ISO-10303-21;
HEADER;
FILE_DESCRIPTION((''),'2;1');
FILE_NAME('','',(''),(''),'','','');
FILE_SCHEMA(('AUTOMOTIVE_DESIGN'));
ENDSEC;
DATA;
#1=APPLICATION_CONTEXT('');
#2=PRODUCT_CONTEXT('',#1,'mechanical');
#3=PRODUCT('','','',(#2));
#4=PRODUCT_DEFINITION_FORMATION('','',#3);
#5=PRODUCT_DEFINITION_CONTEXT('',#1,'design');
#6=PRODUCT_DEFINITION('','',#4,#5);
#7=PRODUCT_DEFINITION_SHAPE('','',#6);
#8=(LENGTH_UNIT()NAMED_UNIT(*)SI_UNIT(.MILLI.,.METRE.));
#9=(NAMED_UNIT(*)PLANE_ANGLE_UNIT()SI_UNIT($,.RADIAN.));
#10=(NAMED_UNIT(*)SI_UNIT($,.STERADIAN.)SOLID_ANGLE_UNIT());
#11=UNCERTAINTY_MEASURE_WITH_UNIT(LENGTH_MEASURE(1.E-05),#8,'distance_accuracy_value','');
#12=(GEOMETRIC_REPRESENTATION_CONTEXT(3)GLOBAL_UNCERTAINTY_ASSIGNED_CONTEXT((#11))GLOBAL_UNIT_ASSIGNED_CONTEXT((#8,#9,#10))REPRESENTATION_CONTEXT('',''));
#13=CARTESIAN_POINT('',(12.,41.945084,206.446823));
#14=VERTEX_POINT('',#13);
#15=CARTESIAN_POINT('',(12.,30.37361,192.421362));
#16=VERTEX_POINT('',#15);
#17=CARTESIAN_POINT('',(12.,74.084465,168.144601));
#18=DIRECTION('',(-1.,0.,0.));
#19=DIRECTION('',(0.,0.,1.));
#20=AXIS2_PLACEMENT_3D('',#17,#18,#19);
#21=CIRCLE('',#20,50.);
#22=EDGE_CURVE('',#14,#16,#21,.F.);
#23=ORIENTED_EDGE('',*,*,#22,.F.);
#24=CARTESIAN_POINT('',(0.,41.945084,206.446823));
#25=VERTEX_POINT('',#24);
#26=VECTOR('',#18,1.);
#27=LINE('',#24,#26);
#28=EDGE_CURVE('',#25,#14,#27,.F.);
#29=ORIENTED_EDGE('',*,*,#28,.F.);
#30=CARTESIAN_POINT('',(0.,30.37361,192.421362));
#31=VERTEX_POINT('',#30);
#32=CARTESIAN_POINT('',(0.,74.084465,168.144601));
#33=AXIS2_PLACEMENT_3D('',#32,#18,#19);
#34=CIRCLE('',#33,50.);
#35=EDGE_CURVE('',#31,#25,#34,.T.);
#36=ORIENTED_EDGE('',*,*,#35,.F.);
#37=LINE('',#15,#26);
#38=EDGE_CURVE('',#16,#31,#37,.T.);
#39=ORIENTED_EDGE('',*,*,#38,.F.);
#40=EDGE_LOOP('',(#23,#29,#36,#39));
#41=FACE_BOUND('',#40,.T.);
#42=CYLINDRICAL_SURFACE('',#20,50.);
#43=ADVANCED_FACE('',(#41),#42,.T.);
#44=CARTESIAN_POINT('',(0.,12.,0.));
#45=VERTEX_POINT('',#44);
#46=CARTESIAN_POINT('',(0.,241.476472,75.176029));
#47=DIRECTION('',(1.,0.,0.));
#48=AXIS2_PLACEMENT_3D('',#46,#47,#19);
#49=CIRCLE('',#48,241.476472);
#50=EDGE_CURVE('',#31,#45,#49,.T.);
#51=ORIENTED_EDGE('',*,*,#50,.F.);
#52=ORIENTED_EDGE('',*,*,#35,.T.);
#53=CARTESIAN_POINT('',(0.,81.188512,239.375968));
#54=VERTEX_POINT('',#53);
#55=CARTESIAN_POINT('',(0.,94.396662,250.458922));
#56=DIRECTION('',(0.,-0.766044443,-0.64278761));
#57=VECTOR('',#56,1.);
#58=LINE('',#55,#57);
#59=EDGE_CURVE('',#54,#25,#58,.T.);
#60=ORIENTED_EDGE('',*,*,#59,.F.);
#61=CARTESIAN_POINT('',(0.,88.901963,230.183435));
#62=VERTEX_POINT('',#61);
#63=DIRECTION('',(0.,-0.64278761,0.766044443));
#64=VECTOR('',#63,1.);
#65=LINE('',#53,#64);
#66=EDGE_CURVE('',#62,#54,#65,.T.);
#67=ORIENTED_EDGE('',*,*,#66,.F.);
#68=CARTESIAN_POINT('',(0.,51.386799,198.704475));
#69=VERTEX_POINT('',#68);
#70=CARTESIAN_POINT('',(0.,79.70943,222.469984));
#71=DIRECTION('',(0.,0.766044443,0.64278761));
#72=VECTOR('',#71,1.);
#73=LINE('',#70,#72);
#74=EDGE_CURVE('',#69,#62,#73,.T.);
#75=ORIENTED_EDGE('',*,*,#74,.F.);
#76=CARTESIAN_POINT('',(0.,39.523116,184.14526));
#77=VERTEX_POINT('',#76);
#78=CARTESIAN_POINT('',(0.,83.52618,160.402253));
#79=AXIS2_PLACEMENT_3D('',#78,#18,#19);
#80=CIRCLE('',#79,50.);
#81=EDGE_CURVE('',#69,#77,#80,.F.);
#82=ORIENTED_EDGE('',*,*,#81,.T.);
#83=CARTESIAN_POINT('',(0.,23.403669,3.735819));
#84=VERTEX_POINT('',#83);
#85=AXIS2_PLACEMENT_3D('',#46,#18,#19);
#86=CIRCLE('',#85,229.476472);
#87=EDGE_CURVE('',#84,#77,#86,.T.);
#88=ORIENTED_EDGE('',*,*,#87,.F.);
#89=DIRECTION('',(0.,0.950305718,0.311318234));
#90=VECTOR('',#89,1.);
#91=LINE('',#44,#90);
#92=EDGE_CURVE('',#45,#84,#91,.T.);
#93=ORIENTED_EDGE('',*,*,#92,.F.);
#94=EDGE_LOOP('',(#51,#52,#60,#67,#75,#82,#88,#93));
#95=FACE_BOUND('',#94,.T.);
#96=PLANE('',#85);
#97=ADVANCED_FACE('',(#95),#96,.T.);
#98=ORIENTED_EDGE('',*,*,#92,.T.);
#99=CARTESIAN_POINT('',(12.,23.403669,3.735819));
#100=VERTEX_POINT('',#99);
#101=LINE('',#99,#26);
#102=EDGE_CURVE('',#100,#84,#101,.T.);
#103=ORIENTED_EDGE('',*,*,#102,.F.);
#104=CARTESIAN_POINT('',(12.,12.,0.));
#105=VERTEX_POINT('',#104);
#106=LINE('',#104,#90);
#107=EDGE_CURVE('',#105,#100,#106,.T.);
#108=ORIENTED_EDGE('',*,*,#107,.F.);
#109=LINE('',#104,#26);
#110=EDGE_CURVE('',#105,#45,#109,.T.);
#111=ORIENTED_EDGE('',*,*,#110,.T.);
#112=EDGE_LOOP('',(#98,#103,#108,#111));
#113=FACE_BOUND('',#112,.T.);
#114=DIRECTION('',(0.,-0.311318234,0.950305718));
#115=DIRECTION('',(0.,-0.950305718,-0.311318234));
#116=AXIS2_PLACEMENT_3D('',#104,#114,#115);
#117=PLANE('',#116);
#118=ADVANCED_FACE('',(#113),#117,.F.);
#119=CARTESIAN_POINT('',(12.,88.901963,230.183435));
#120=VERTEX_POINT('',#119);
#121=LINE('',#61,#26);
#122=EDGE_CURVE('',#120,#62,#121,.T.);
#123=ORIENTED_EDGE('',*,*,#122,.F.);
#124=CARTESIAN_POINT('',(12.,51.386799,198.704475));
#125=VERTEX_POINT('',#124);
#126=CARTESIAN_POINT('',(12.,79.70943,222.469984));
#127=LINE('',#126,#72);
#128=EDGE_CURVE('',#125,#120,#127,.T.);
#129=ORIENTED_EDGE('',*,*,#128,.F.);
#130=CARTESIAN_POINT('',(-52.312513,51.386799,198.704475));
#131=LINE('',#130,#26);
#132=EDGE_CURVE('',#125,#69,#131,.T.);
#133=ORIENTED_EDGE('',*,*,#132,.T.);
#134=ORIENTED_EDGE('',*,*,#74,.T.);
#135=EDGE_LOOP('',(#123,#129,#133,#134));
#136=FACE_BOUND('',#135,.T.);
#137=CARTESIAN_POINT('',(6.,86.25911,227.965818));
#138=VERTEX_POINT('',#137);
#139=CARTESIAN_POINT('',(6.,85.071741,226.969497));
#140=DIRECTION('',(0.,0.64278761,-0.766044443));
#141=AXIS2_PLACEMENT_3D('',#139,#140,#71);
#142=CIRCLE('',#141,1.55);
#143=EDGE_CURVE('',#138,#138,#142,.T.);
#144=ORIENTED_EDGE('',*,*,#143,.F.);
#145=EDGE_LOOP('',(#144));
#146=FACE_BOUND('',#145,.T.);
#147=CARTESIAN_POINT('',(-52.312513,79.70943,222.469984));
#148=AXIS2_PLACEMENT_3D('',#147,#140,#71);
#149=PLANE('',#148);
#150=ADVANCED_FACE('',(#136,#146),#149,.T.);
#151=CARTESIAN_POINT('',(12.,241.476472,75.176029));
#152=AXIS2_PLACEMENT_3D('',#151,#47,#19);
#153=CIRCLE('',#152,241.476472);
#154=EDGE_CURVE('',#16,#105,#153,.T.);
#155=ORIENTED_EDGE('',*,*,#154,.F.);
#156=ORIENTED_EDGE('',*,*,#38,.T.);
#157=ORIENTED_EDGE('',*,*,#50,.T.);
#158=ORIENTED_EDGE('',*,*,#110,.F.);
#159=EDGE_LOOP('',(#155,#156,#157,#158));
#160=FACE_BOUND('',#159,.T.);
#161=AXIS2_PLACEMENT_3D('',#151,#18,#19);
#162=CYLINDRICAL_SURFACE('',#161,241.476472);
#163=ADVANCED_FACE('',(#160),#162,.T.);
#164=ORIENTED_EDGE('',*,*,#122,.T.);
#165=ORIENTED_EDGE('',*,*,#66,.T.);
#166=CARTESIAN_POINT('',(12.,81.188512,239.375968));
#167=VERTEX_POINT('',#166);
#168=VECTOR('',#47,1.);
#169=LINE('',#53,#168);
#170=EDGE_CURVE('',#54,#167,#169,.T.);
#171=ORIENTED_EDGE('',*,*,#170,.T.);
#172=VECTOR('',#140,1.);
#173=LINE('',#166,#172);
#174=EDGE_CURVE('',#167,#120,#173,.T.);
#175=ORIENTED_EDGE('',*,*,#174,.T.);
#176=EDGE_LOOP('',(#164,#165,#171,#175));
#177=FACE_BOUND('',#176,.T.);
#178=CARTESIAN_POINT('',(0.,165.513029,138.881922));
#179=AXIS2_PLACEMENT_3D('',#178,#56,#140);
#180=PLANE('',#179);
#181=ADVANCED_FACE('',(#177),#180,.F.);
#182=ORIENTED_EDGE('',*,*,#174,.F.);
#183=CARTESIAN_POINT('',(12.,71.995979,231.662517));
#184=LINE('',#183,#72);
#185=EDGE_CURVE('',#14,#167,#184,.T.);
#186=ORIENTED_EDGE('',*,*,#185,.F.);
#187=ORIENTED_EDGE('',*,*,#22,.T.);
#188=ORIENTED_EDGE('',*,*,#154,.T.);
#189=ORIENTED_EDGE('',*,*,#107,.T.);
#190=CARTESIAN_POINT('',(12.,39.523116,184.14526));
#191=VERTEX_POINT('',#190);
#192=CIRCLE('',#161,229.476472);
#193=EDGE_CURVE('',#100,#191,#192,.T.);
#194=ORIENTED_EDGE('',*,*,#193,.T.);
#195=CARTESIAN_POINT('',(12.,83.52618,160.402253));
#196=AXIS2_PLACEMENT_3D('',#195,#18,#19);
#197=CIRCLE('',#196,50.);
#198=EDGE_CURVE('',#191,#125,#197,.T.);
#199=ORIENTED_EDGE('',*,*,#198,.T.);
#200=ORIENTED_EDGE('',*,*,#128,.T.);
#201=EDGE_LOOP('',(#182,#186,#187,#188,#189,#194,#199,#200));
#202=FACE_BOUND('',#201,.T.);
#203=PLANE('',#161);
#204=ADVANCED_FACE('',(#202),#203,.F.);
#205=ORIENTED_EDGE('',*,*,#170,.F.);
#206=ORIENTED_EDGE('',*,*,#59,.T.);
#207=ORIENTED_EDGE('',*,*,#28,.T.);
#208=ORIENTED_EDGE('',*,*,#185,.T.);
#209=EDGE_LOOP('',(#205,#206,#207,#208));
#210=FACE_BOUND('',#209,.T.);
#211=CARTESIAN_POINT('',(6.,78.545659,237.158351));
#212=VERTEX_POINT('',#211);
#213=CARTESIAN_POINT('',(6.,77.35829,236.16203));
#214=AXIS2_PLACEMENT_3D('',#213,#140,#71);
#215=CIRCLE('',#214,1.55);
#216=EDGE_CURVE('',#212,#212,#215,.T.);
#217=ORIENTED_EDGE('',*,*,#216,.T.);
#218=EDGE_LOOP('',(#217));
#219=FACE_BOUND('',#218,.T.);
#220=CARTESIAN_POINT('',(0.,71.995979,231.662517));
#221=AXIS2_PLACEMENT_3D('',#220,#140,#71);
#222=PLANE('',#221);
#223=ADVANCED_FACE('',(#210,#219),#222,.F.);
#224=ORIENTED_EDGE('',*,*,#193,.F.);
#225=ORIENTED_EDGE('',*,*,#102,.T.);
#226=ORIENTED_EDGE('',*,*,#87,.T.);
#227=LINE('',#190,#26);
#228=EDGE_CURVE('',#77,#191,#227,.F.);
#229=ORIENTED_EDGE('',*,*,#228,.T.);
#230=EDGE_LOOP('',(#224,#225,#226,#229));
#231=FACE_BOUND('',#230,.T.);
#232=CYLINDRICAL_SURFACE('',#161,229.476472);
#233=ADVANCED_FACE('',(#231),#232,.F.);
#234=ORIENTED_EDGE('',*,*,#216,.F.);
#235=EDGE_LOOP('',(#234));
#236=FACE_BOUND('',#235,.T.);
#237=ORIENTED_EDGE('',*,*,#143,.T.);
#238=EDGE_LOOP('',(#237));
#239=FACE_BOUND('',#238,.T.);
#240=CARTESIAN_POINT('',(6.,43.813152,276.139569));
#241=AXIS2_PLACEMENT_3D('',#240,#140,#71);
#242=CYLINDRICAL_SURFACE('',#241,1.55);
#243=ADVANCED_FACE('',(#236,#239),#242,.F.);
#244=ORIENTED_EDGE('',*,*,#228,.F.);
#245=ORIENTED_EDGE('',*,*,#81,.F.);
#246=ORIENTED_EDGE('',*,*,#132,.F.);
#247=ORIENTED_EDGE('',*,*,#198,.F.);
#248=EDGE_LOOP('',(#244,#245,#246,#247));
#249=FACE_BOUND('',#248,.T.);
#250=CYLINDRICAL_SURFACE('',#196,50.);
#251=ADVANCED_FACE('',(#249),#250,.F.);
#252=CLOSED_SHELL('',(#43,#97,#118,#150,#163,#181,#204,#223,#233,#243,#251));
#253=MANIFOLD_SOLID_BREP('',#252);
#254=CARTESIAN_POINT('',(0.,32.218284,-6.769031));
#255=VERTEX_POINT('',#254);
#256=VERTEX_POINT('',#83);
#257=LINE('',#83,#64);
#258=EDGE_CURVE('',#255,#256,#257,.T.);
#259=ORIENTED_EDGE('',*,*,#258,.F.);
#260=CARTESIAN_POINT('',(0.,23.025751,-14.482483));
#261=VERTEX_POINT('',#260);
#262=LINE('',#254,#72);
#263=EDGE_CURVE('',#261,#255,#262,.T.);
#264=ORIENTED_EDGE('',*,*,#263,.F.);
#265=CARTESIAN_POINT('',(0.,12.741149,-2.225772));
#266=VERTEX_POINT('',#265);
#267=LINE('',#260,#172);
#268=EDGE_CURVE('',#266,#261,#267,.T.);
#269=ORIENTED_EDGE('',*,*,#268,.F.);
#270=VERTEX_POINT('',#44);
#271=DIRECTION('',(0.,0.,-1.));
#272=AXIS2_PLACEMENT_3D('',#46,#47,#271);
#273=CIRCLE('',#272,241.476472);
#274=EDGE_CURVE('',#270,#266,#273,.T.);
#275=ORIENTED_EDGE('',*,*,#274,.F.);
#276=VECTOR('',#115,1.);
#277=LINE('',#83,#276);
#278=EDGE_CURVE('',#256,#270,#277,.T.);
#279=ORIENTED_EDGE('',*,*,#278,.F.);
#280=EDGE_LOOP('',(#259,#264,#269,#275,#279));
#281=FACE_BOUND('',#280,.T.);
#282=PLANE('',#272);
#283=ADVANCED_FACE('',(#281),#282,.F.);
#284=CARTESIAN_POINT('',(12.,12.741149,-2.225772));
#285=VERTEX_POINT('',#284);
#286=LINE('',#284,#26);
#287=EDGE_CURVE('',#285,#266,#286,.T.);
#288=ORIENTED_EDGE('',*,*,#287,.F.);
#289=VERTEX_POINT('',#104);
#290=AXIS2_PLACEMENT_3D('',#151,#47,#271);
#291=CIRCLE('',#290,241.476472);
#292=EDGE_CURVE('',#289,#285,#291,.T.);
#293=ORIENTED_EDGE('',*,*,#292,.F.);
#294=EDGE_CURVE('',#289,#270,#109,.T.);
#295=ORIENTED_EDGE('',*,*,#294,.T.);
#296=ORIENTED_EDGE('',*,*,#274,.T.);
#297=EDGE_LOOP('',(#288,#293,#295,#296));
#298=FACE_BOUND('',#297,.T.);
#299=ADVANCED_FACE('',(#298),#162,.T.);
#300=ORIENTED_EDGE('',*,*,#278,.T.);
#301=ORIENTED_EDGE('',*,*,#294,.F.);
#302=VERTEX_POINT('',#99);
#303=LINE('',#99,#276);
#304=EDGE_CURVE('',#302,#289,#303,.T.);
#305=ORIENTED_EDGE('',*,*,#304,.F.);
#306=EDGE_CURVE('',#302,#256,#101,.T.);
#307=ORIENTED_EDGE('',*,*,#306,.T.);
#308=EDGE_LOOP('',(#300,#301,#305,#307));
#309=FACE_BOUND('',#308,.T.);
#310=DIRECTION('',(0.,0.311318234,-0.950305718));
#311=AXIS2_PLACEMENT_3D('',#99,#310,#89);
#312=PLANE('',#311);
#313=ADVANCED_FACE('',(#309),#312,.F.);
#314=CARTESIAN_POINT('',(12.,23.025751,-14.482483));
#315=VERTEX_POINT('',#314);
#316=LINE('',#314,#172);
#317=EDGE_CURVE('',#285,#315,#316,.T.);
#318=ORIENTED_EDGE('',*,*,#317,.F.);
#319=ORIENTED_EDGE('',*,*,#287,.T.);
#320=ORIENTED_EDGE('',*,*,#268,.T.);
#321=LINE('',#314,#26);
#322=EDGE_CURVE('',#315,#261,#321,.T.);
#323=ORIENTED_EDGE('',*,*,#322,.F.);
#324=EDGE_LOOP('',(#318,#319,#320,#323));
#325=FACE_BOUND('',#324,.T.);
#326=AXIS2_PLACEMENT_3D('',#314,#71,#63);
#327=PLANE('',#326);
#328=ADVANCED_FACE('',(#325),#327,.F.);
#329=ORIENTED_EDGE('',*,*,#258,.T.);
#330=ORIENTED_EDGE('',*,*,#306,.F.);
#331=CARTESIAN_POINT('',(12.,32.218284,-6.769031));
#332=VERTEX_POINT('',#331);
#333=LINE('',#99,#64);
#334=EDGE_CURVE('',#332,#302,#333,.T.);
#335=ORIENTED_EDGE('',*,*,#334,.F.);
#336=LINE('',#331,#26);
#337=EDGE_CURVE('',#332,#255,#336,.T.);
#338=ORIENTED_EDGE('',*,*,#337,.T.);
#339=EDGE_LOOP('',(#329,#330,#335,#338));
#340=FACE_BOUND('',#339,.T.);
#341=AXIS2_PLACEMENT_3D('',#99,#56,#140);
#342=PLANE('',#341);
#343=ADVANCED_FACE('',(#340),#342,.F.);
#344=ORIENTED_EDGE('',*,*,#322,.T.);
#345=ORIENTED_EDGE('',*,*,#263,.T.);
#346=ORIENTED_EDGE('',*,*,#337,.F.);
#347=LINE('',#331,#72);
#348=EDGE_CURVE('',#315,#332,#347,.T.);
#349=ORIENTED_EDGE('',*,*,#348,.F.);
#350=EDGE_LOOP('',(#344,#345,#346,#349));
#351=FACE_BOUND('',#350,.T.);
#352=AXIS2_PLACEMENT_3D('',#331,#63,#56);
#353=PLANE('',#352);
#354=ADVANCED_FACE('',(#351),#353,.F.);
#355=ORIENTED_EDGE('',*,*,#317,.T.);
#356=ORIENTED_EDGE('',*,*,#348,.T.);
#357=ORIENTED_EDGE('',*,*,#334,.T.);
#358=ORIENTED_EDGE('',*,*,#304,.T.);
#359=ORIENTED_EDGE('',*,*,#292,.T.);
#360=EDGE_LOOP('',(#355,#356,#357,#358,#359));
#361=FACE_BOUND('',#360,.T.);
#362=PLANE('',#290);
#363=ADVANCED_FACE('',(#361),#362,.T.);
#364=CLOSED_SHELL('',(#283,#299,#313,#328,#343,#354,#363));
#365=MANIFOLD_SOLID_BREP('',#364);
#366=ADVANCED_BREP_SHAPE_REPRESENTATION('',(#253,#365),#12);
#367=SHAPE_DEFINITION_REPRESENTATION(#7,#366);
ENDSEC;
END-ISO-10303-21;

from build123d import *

# Parameters (mm, degrees)
AUFSATZ_LINEAR_AUSTRAGEN1_DEPTH = 12
AUFSATZ_LINEAR_AUSTRAGEN3_DEPTH = 12
AUFSATZ_LINEAR_AUSTRAGEN4_DEPTH = 12
SCHNITT_LINEAR_AUSTRAGEN1_DEPTH = 254.175024926
VERRUNDUNG1_R                   = 50
SKIZZE9_W                       = 12
SKIZZE9_H                       = 12
AUFSATZ_LINEAR_AUSTRAGEN6_DEPTH = 12
SKIZZE11_R                      = 1.55
SCHNITT_LINEAR_AUSTRAGEN4_DEPTH = 223.406401048


with BuildPart() as part:
    # Skizze1 → Aufsatz-Linear austragen1 (new body)
    with BuildSketch(Plane(origin=(0, 0, 0), x_dir=(0, 0, -1), z_dir=(1, 0, 0))):
        with BuildLine():
            Line((-240, 65), (-230.735708163, 72.773663864))
            ThreePointArc((-230.735708163, 72.773663864), (-123.944567763, 17.242039243), (-3.735818811, 23.403668612))
            Line((-3.735818811, 23.403668612), (0, 12))
            ThreePointArc((0, 12), (-127.247502729, 5.681119716), (-240, 65))
        make_face()
    extrude(amount=AUFSATZ_LINEAR_AUSTRAGEN1_DEPTH)

    # Skizze5 → Aufsatz-Linear austragen4 (add)
    with BuildSketch(Plane(origin=(12, 0, 0), x_dir=(0, 0, -1), z_dir=(1, 0, 0))):
        Polygon((-231.662517154, 71.995978781), (-222.469983836, 79.709430098), (-210.899806862, 65.920630121), (-192.948331238, 44.526894555), (-220.092340179, 58.207178805), align=None)
    extrude(amount=-AUFSATZ_LINEAR_AUSTRAGEN4_DEPTH)

    # Skizze6 → Schnitt-Linear austragen1 (cut, through all)
    with BuildSketch(Plane(origin=(12, 0, 0), x_dir=(0, 0, -1), z_dir=(1, 0, 0))):
        Polygon((-231.662517154, 71.995978781), (-199.510648028, 33.678873242), (-204.367668784, 29.603348917), (-240, 65), align=None)
    extrude(amount=-SCHNITT_LINEAR_AUSTRAGEN1_DEPTH, mode=Mode.SUBTRACT)

    # Verrundung1
    verrundung1_edges = [part.edges().sort_by_distance(p)[0] for p in [
        (6, 44.526894555, 192.948331238),
        (6, 35.285406895, 200.858689823),
    ]]
    fillet(verrundung1_edges, radius=VERRUNDUNG1_R)

    # Skizze9 → Aufsatz-Linear austragen6 (add)
    with BuildSketch(Plane(origin=(0, 156.320496136, 131.168470653), x_dir=(1, 0, 0), z_dir=(0, 0.7660444431189836, 0.6427876096865328))):
        with Locations((6, -125.185660837)):
            Rectangle(SKIZZE9_W, SKIZZE9_H)
    extrude(amount=AUFSATZ_LINEAR_AUSTRAGEN6_DEPTH)

    # Skizze11 → Schnitt-Linear austragen4 (cut, through all)
    with BuildSketch(Plane(origin=(0, -76.611066038, 91.301513183), x_dir=(-1, 0, 0), z_dir=(0, 0.6427876096865329, -0.7660444431189836))):
        with Locations(Location((-6, 211.061915128, 0), (0, 0, 90))):
            Circle(SKIZZE11_R)
    extrude(amount=-SCHNITT_LINEAR_AUSTRAGEN4_DEPTH, mode=Mode.SUBTRACT)


with BuildPart() as body_2:
    # Skizze4 → Aufsatz-Linear austragen3 (new body)
    with BuildSketch(Plane(origin=(0, 0, 0), x_dir=(0, 0, -1), z_dir=(1, 0, 0))):
        with BuildLine():
            Line((-3.735818811, 23.403668612), (6.769031275, 32.218284445))
            Line((6.769031275, 32.218284445), (14.482482591, 23.025751128))
            Line((14.482482591, 23.025751128), (2.225771501, 12.741149373))
            ThreePointArc((2.225771501, 12.741149373), (1.113785782, 12.367871772), (0, 12))
            Line((0, 12), (-3.735818811, 23.403668612))
        make_face()
    extrude(amount=AUFSATZ_LINEAR_AUSTRAGEN3_DEPTH)


solid = Compound([part.part, body_2.part])
